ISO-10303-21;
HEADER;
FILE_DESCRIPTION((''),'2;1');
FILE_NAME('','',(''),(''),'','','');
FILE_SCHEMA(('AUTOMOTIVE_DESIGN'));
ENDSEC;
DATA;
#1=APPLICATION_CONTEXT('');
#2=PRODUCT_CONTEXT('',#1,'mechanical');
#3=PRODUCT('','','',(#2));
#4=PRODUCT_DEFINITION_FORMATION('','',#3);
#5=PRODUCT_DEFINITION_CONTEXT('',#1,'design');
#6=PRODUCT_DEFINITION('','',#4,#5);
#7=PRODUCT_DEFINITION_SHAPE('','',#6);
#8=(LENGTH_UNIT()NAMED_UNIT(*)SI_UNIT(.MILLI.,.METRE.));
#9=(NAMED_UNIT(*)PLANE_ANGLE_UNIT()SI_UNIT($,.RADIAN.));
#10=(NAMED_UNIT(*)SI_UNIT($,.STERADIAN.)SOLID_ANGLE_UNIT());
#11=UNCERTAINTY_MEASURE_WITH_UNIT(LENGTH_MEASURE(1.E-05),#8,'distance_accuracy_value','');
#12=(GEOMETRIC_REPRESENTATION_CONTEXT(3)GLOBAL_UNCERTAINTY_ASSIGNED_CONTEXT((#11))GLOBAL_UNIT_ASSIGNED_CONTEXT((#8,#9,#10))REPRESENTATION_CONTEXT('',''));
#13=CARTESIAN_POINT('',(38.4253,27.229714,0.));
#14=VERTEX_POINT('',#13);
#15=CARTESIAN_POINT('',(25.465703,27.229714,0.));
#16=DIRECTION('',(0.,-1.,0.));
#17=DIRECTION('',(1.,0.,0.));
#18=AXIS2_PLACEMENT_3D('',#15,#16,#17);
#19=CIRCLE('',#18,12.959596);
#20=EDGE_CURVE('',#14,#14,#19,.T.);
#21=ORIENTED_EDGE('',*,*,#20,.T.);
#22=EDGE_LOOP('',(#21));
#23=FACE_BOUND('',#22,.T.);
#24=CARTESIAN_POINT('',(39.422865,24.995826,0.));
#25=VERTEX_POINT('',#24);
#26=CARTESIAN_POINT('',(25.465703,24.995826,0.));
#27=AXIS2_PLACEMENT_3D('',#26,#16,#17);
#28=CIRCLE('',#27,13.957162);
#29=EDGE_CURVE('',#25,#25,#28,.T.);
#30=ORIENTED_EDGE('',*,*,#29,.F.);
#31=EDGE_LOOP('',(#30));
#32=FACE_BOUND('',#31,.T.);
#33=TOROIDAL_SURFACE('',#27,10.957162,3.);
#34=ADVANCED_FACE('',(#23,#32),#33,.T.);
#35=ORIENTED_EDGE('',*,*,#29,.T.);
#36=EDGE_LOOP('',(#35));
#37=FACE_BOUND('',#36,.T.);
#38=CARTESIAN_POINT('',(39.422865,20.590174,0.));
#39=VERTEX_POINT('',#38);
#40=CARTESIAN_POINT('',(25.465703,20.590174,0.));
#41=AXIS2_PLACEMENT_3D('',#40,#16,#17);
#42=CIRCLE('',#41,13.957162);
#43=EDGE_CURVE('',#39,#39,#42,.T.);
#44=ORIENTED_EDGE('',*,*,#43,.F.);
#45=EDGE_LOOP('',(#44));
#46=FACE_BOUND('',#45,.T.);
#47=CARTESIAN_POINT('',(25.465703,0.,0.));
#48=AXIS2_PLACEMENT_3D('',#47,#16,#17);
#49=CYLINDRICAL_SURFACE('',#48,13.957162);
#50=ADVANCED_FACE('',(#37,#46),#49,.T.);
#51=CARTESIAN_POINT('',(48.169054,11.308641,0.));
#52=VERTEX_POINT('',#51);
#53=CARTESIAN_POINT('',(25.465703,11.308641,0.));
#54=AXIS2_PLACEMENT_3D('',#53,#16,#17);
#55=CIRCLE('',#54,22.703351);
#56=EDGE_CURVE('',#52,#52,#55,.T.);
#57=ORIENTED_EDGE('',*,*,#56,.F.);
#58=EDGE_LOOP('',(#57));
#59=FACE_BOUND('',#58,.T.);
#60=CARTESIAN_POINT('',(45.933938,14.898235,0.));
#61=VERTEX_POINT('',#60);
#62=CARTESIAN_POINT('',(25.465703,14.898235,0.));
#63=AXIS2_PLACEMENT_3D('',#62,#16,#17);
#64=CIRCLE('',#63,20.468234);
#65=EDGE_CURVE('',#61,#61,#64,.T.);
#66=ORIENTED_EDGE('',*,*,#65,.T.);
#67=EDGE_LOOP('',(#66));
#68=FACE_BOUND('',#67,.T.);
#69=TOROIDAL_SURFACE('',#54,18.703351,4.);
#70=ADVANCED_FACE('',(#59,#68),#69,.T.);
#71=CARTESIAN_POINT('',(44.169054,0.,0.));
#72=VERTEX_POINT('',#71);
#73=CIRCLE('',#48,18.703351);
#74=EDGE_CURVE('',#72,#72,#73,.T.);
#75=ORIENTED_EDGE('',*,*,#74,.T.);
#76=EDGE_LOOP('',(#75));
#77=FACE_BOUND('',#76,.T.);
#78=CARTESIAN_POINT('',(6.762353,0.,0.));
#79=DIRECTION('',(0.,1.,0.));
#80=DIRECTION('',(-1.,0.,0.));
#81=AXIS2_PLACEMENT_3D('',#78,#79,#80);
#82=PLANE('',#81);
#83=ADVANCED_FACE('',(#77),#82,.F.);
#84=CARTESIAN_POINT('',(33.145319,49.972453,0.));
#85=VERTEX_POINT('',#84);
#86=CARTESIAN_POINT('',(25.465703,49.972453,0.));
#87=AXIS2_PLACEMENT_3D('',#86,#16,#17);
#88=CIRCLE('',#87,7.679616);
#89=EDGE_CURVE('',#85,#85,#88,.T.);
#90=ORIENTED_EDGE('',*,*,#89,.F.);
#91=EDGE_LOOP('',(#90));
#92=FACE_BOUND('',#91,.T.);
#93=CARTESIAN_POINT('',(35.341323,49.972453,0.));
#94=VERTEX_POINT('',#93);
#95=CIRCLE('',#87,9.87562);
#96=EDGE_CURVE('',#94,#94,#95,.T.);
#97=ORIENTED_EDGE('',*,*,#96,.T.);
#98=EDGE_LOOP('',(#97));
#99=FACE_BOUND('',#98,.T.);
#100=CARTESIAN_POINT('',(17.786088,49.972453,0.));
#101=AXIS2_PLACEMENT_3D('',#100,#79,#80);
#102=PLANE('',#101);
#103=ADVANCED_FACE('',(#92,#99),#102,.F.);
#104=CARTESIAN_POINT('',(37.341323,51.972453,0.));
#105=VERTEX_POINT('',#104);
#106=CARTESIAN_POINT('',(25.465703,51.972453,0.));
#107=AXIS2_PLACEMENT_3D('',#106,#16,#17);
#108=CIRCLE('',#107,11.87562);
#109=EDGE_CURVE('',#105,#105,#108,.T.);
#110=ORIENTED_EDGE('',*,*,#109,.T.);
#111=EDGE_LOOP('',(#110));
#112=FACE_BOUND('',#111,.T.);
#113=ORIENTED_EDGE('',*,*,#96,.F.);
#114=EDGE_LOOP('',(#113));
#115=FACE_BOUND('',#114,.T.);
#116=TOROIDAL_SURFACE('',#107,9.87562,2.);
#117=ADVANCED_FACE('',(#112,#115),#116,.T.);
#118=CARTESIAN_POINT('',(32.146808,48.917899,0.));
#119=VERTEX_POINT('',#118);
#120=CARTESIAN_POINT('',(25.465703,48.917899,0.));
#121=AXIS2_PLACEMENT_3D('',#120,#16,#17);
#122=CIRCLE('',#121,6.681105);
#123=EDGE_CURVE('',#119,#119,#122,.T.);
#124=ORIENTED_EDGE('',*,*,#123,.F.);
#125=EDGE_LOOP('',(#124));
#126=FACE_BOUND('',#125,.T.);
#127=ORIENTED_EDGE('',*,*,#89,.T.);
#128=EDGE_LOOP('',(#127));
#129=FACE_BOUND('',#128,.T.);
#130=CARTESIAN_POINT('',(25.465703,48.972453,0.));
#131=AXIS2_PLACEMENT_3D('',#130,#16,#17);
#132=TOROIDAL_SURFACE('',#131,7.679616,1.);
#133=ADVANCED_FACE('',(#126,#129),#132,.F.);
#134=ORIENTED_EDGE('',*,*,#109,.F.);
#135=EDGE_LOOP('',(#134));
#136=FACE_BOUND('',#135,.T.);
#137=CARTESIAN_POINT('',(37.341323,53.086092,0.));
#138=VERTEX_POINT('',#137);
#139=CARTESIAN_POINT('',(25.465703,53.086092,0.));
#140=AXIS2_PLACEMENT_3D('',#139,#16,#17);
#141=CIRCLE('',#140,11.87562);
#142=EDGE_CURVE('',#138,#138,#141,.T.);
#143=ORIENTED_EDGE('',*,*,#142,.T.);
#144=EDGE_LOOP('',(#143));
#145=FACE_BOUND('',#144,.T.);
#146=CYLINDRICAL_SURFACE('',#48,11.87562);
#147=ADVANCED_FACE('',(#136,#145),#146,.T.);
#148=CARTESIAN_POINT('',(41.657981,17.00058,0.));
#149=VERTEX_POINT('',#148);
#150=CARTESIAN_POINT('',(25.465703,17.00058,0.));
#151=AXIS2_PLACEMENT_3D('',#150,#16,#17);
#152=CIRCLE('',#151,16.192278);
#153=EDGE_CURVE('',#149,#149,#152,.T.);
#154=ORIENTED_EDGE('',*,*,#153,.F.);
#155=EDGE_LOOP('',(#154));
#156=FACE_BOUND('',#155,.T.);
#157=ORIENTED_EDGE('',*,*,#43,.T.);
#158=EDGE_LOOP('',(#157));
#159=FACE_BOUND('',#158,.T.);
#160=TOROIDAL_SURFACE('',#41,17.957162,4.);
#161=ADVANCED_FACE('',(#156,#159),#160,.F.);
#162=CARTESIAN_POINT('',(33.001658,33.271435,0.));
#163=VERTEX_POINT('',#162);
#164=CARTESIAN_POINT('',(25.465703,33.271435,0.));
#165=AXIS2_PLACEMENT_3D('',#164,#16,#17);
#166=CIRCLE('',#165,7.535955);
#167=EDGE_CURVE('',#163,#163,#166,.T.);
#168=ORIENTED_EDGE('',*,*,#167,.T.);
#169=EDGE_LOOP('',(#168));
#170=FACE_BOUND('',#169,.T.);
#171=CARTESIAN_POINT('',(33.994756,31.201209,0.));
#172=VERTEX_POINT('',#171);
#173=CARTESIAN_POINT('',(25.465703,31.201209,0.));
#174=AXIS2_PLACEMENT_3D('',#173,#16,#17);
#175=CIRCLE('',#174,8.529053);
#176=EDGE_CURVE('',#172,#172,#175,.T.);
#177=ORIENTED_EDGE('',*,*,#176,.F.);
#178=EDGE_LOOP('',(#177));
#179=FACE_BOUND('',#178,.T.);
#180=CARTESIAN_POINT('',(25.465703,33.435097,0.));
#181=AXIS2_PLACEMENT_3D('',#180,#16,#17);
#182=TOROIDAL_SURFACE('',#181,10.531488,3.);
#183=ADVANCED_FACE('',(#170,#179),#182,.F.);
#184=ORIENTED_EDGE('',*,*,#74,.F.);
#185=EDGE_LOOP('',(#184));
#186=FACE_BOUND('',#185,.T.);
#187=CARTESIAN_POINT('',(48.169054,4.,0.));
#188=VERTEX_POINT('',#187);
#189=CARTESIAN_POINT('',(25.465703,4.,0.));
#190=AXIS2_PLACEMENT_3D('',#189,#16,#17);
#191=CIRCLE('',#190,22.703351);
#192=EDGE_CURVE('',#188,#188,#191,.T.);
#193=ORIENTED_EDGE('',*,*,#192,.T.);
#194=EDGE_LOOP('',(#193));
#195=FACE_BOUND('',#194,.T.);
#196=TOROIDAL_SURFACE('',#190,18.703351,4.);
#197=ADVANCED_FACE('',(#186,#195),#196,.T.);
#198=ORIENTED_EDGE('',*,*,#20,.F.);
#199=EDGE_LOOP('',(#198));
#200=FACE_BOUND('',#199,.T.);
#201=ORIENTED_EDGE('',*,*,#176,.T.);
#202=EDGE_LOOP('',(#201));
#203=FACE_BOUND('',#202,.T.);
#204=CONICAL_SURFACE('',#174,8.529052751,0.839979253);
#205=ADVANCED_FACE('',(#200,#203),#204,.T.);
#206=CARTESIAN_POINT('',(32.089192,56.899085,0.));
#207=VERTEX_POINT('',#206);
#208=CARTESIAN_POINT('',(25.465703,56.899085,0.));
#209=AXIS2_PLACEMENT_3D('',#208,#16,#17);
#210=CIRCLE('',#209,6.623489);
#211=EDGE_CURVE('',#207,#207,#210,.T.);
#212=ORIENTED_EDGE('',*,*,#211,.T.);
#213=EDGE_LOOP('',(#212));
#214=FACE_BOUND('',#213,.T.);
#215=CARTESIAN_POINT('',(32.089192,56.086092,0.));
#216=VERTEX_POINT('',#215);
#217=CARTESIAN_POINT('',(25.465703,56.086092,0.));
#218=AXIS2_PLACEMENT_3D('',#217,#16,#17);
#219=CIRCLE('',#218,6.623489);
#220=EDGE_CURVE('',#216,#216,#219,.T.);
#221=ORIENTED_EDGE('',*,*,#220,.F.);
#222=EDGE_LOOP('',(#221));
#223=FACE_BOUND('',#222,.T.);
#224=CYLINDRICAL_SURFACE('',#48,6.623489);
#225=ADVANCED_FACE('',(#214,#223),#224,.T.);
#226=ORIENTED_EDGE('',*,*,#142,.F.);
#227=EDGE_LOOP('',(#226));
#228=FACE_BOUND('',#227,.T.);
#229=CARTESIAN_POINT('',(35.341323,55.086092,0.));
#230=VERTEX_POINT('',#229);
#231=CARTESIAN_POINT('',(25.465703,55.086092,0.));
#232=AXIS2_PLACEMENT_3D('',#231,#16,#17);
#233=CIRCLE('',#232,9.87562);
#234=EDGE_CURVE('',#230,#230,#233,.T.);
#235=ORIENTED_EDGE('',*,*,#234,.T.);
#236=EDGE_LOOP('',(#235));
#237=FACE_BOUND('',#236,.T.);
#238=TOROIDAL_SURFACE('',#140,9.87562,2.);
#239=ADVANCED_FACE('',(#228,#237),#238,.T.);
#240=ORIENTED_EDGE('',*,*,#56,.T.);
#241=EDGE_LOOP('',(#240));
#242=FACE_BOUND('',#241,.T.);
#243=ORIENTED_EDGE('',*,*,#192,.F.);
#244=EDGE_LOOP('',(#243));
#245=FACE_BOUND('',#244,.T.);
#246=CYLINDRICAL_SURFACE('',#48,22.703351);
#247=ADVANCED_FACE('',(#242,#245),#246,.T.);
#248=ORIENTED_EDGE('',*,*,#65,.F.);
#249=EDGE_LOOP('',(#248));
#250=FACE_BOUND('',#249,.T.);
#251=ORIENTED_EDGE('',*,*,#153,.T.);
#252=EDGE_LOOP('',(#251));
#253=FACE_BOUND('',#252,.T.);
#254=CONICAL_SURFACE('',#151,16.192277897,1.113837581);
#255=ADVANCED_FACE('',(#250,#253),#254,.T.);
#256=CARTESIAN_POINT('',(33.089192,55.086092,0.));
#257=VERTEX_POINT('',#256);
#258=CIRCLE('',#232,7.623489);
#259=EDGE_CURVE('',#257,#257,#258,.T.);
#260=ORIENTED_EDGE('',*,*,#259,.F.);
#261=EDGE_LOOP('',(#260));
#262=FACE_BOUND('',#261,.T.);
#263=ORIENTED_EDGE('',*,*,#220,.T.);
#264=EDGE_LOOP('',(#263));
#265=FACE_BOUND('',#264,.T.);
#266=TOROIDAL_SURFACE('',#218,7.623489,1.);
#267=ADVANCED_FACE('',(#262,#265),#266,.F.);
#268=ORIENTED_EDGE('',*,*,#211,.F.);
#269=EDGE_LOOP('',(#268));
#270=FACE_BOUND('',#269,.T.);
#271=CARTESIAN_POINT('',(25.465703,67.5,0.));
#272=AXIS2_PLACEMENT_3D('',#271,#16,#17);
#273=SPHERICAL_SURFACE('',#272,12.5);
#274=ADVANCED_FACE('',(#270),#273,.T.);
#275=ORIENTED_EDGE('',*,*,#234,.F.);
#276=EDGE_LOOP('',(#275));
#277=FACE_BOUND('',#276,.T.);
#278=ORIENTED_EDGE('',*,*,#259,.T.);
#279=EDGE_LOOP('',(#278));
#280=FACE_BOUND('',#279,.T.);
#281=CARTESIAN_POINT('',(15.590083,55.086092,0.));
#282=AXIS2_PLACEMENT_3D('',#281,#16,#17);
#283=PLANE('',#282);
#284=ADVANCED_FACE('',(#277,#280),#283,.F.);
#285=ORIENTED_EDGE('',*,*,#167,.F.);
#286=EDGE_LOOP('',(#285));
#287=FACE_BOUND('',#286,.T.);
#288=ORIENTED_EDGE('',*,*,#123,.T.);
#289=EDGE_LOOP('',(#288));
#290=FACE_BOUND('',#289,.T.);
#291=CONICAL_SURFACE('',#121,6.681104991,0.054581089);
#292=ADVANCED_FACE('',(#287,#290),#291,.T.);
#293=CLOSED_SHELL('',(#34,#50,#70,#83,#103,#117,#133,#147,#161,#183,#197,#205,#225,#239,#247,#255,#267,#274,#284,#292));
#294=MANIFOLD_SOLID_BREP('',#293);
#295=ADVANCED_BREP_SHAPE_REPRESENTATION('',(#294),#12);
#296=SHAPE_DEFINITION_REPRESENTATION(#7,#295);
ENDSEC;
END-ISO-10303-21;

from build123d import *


with BuildPart() as part:
    # Sketch1 → Revolve1 (revolve)
    with BuildSketch(Plane.XY, mode=Mode.PRIVATE) as revolve1_sk:
        with BuildLine():
            Line((2.762352804, 4), (2.762352804, 11.308640554))
            ThreePointArc((2.762352804, 11.308640554), (3.366801674, 13.422932995), (4.997469066, 14.898234597))
            Line((4.997469066, 14.898234597), (9.273425443, 17.000579816))
            ThreePointArc((9.273425443, 17.000579816), (10.904092836, 18.475881418), (11.508541706, 20.590173859))
            Line((11.508541706, 20.590173859), (11.508541706, 24.995826216))
            ThreePointArc((11.508541706, 24.995826216), (11.769262195, 26.219079159), (12.506106881, 27.229714031))
            Line((12.506106881, 27.229714031), (16.936650589, 31.201209356))
            ThreePointArc((16.936650589, 31.201209356), (17.639096171, 32.137552573), (17.929748231, 33.271435192))
            Line((17.929748231, 33.271435192), (18.784598349, 48.917899311))
            ThreePointArc((18.784598349, 48.917899311), (18.512225941, 49.66000185), (17.786087527, 49.972453304))
            Line((17.786087527, 49.972453304), (15.590083244, 49.972453304))
            ThreePointArc((15.590083244, 49.972453304), (14.175869682, 50.558239742), (13.590083244, 51.972453304))
            Line((13.590083244, 51.972453304), (13.590083244, 53.086091554))
            ThreePointArc((13.590083244, 53.086091554), (14.175869682, 54.500305117), (15.590083244, 55.086091554))
            Line((15.590083244, 55.086091554), (17.842214281, 55.086091554))
            ThreePointArc((17.842214281, 55.086091554), (18.549321062, 55.378984773), (18.842214281, 56.086091554))
            Line((18.842214281, 56.086091554), (18.842214281, 56.89908529))
            ThreePointArc((18.842214281, 56.89908529), (13.449850606, 70.945182588), (25.46570334, 80))
            Line((25.46570334, 80), (25.46570334, 0))
            Line((25.46570334, 0), (6.762352804, 0))
            ThreePointArc((6.762352804, 0), (3.933925679, 1.171572875), (2.762352804, 4))
        make_face()
    revolve(revolve1_sk.sketch.rotate(Axis((25.46570334, 0, 0), (0, 1, 0)), 180), axis=Axis((25.46570334, 0, 0), (0, 1, 0)))


solid = part.part
